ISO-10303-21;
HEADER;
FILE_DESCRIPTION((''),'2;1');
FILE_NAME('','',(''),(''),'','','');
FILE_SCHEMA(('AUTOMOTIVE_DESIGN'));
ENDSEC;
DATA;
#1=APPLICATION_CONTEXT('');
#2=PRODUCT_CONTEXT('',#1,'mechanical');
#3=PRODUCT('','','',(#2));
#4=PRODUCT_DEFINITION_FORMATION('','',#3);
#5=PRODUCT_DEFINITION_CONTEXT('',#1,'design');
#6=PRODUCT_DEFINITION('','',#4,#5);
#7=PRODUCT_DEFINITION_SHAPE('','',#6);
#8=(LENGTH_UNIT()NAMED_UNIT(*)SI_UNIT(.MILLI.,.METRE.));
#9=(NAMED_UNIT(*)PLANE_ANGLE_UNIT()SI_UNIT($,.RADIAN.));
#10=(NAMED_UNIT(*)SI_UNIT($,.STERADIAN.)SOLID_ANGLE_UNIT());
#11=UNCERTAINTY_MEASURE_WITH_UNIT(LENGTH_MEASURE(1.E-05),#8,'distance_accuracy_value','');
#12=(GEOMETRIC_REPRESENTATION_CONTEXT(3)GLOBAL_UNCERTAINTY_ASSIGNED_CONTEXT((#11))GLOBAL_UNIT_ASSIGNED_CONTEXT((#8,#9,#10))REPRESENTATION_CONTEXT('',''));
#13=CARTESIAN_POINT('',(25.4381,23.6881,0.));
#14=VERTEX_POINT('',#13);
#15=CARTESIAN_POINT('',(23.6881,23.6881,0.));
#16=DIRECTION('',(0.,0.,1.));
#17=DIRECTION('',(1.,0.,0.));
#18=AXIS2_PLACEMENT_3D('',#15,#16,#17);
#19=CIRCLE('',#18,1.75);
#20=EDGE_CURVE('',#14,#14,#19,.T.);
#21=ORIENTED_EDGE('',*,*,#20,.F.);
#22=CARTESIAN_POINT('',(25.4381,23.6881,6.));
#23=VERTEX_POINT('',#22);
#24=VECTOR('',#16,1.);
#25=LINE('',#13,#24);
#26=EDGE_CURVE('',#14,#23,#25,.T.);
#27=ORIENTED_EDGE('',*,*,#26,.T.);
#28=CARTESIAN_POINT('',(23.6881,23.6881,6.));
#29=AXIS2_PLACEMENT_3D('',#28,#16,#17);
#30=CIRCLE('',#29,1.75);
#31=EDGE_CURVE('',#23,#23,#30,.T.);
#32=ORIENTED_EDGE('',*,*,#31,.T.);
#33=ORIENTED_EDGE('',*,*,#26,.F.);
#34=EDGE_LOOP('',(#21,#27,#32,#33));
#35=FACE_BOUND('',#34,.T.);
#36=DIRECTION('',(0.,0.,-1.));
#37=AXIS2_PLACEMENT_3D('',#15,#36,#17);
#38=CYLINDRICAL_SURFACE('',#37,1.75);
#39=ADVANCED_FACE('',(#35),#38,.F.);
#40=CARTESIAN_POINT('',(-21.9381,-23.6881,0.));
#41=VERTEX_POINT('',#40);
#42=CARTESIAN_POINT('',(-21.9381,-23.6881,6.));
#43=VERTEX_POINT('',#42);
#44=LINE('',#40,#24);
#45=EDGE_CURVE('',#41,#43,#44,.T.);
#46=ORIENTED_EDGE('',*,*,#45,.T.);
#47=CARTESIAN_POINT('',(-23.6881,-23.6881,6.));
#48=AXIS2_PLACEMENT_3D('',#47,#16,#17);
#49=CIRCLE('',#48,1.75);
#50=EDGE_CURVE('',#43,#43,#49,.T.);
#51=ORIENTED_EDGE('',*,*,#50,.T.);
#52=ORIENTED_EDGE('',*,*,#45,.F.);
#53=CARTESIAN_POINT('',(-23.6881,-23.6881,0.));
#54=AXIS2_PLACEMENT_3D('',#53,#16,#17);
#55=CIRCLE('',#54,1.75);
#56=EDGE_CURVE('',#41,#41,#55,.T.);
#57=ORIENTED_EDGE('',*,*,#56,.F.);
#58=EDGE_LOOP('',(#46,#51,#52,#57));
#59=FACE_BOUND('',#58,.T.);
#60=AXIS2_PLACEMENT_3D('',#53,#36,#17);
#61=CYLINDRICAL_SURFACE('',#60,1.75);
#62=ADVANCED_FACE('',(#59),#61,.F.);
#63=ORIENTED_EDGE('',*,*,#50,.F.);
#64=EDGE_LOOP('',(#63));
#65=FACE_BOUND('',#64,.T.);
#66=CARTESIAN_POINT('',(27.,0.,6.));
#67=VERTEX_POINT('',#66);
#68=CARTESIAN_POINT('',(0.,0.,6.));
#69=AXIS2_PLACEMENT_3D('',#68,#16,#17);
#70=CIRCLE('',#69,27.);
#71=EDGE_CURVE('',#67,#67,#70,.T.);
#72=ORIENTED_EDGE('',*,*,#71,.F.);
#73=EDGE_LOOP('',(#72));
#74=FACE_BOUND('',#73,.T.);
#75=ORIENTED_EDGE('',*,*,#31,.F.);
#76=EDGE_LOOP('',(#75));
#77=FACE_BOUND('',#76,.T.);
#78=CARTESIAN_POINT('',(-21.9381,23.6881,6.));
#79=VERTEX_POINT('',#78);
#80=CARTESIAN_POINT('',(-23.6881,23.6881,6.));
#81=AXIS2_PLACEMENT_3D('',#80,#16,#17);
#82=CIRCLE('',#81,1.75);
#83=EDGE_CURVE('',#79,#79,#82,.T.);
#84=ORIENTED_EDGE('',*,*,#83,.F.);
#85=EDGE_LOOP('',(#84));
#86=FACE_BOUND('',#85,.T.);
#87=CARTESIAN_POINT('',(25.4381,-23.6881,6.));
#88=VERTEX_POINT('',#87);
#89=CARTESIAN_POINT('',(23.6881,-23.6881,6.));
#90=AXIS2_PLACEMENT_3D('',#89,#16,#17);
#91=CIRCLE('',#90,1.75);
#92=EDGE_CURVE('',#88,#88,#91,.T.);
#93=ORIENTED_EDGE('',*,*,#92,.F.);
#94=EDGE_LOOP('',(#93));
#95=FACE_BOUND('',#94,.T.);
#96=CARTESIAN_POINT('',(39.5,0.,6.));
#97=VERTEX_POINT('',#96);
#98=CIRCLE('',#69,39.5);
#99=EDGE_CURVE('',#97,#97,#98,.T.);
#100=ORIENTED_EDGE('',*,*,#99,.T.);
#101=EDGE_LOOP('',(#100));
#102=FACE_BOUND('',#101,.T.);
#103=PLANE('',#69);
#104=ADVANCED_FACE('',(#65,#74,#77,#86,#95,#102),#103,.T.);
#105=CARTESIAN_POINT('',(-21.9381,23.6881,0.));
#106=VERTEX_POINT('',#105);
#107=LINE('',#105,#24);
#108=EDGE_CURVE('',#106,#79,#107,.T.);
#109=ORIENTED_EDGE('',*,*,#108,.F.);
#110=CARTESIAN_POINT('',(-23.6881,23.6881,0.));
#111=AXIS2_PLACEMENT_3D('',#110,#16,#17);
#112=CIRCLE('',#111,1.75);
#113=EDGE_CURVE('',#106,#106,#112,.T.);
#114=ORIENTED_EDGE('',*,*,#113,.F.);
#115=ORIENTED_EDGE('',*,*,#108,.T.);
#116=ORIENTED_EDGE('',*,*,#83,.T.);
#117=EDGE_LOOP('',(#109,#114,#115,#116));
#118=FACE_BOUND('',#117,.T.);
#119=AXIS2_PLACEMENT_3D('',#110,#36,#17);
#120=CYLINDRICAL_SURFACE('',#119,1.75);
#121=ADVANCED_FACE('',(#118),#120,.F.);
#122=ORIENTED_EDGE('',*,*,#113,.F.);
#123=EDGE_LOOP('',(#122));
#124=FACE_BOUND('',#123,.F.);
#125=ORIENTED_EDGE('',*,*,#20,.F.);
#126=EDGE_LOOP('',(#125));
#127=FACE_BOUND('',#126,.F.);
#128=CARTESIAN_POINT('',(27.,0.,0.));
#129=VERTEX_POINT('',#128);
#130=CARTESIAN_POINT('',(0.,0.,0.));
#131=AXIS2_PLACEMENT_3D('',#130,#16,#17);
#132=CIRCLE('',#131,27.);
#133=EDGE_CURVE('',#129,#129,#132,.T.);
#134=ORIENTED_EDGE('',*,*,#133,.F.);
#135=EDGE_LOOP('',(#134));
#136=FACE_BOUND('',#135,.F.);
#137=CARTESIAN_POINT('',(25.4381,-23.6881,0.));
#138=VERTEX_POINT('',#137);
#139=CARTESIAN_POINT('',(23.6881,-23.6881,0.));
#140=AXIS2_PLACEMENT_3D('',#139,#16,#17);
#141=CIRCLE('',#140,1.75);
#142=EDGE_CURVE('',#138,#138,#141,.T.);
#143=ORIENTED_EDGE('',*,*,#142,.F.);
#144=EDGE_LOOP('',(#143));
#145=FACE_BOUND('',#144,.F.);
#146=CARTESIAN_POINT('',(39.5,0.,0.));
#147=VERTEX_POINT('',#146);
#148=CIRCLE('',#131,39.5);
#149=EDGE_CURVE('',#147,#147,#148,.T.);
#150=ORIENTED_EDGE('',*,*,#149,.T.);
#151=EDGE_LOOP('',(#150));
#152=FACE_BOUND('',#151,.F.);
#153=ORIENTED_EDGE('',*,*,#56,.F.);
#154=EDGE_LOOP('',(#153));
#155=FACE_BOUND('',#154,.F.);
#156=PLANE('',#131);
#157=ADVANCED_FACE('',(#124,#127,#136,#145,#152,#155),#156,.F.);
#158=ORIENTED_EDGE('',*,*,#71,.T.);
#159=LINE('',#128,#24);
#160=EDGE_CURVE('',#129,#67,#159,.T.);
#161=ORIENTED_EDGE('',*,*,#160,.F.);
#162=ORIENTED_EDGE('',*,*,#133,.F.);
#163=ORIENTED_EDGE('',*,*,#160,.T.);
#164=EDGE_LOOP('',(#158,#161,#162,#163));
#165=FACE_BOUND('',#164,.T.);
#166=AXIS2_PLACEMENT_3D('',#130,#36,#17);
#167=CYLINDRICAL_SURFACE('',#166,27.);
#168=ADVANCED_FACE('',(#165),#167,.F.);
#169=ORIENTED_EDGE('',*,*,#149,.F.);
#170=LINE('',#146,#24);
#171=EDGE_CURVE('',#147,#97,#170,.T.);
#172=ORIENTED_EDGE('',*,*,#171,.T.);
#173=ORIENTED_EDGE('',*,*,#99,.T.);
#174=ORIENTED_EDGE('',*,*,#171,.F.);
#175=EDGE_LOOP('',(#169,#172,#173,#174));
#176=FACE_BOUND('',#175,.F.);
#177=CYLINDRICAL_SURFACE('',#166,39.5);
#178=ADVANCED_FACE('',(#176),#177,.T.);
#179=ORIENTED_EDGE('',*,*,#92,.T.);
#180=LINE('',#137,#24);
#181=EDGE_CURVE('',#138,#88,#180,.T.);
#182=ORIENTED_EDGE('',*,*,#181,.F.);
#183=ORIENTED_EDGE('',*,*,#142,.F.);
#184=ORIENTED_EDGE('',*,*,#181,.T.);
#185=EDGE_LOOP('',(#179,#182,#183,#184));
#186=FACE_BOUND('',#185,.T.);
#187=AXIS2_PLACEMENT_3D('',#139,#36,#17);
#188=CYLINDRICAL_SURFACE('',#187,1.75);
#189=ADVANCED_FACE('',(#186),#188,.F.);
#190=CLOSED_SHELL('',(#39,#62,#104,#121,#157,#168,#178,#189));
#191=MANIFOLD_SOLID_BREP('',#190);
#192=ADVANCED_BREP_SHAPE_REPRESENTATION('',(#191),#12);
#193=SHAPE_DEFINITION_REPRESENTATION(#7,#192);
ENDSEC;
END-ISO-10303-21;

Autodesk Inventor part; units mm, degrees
ref_plane "YZ Plane" through (0, 0, 0) normal (1, 0, 0) x (0, 1, 0)
ref_plane "XZ Plane" through (0, 0, 0) normal (0, 1, 0) x (-1, 0, 0)
ref_plane "XY Plane" through (0, 0, 0) normal (0, 0, 1) x (1, 0, 0)
sketch "Sketch8" plane through (0, 0, 0) normal (0, 0, 1) x (1, 0, 0)
  circle A0 centre (0, 0) radius 39.5
  circle A1 centre (0, 0) radius 27
  line L0 (-23.6881, -23.6881) -> (23.6881, -23.6881) construction
  line L1 (23.6881, -23.6881) -> (23.6881, 23.6881) construction
  line L2 (23.6881, 23.6881) -> (-23.6881, 23.6881) construction
  line L3 (-23.6881, 23.6881) -> (-23.6881, -23.6881) construction
  line L4 (-23.6881, -23.6881) -> (23.6881, 23.6881) construction
  line L5 (23.6881, -23.6881) -> (-23.6881, 23.6881) construction
  circle A2 centre (-23.6881, 23.6881) radius 1.75
  circle A3 centre (23.6881, 23.6881) radius 1.75
  circle A4 centre (-23.6881, -23.6881) radius 1.75
  circle A5 centre (23.6881, -23.6881) radius 1.75
  dimension "d23" = 79
  dimension "d24" = 54
  dimension "d25" = 67
  dimension "d26" = 3.5
  dimension "d27" = 3.5
  dimension "d28" = 3.5
  dimension "d29" = 3.5
extrude "Extrusion8" add sketch "Sketch8" along normal blind 6
equation "\"d27\" = d26"
equation "\"d28\" = d26"
equation "\"d29\" = d26"
properties part number "2209B_Tube Flange Inner_V1" material "ABS Plastic"
